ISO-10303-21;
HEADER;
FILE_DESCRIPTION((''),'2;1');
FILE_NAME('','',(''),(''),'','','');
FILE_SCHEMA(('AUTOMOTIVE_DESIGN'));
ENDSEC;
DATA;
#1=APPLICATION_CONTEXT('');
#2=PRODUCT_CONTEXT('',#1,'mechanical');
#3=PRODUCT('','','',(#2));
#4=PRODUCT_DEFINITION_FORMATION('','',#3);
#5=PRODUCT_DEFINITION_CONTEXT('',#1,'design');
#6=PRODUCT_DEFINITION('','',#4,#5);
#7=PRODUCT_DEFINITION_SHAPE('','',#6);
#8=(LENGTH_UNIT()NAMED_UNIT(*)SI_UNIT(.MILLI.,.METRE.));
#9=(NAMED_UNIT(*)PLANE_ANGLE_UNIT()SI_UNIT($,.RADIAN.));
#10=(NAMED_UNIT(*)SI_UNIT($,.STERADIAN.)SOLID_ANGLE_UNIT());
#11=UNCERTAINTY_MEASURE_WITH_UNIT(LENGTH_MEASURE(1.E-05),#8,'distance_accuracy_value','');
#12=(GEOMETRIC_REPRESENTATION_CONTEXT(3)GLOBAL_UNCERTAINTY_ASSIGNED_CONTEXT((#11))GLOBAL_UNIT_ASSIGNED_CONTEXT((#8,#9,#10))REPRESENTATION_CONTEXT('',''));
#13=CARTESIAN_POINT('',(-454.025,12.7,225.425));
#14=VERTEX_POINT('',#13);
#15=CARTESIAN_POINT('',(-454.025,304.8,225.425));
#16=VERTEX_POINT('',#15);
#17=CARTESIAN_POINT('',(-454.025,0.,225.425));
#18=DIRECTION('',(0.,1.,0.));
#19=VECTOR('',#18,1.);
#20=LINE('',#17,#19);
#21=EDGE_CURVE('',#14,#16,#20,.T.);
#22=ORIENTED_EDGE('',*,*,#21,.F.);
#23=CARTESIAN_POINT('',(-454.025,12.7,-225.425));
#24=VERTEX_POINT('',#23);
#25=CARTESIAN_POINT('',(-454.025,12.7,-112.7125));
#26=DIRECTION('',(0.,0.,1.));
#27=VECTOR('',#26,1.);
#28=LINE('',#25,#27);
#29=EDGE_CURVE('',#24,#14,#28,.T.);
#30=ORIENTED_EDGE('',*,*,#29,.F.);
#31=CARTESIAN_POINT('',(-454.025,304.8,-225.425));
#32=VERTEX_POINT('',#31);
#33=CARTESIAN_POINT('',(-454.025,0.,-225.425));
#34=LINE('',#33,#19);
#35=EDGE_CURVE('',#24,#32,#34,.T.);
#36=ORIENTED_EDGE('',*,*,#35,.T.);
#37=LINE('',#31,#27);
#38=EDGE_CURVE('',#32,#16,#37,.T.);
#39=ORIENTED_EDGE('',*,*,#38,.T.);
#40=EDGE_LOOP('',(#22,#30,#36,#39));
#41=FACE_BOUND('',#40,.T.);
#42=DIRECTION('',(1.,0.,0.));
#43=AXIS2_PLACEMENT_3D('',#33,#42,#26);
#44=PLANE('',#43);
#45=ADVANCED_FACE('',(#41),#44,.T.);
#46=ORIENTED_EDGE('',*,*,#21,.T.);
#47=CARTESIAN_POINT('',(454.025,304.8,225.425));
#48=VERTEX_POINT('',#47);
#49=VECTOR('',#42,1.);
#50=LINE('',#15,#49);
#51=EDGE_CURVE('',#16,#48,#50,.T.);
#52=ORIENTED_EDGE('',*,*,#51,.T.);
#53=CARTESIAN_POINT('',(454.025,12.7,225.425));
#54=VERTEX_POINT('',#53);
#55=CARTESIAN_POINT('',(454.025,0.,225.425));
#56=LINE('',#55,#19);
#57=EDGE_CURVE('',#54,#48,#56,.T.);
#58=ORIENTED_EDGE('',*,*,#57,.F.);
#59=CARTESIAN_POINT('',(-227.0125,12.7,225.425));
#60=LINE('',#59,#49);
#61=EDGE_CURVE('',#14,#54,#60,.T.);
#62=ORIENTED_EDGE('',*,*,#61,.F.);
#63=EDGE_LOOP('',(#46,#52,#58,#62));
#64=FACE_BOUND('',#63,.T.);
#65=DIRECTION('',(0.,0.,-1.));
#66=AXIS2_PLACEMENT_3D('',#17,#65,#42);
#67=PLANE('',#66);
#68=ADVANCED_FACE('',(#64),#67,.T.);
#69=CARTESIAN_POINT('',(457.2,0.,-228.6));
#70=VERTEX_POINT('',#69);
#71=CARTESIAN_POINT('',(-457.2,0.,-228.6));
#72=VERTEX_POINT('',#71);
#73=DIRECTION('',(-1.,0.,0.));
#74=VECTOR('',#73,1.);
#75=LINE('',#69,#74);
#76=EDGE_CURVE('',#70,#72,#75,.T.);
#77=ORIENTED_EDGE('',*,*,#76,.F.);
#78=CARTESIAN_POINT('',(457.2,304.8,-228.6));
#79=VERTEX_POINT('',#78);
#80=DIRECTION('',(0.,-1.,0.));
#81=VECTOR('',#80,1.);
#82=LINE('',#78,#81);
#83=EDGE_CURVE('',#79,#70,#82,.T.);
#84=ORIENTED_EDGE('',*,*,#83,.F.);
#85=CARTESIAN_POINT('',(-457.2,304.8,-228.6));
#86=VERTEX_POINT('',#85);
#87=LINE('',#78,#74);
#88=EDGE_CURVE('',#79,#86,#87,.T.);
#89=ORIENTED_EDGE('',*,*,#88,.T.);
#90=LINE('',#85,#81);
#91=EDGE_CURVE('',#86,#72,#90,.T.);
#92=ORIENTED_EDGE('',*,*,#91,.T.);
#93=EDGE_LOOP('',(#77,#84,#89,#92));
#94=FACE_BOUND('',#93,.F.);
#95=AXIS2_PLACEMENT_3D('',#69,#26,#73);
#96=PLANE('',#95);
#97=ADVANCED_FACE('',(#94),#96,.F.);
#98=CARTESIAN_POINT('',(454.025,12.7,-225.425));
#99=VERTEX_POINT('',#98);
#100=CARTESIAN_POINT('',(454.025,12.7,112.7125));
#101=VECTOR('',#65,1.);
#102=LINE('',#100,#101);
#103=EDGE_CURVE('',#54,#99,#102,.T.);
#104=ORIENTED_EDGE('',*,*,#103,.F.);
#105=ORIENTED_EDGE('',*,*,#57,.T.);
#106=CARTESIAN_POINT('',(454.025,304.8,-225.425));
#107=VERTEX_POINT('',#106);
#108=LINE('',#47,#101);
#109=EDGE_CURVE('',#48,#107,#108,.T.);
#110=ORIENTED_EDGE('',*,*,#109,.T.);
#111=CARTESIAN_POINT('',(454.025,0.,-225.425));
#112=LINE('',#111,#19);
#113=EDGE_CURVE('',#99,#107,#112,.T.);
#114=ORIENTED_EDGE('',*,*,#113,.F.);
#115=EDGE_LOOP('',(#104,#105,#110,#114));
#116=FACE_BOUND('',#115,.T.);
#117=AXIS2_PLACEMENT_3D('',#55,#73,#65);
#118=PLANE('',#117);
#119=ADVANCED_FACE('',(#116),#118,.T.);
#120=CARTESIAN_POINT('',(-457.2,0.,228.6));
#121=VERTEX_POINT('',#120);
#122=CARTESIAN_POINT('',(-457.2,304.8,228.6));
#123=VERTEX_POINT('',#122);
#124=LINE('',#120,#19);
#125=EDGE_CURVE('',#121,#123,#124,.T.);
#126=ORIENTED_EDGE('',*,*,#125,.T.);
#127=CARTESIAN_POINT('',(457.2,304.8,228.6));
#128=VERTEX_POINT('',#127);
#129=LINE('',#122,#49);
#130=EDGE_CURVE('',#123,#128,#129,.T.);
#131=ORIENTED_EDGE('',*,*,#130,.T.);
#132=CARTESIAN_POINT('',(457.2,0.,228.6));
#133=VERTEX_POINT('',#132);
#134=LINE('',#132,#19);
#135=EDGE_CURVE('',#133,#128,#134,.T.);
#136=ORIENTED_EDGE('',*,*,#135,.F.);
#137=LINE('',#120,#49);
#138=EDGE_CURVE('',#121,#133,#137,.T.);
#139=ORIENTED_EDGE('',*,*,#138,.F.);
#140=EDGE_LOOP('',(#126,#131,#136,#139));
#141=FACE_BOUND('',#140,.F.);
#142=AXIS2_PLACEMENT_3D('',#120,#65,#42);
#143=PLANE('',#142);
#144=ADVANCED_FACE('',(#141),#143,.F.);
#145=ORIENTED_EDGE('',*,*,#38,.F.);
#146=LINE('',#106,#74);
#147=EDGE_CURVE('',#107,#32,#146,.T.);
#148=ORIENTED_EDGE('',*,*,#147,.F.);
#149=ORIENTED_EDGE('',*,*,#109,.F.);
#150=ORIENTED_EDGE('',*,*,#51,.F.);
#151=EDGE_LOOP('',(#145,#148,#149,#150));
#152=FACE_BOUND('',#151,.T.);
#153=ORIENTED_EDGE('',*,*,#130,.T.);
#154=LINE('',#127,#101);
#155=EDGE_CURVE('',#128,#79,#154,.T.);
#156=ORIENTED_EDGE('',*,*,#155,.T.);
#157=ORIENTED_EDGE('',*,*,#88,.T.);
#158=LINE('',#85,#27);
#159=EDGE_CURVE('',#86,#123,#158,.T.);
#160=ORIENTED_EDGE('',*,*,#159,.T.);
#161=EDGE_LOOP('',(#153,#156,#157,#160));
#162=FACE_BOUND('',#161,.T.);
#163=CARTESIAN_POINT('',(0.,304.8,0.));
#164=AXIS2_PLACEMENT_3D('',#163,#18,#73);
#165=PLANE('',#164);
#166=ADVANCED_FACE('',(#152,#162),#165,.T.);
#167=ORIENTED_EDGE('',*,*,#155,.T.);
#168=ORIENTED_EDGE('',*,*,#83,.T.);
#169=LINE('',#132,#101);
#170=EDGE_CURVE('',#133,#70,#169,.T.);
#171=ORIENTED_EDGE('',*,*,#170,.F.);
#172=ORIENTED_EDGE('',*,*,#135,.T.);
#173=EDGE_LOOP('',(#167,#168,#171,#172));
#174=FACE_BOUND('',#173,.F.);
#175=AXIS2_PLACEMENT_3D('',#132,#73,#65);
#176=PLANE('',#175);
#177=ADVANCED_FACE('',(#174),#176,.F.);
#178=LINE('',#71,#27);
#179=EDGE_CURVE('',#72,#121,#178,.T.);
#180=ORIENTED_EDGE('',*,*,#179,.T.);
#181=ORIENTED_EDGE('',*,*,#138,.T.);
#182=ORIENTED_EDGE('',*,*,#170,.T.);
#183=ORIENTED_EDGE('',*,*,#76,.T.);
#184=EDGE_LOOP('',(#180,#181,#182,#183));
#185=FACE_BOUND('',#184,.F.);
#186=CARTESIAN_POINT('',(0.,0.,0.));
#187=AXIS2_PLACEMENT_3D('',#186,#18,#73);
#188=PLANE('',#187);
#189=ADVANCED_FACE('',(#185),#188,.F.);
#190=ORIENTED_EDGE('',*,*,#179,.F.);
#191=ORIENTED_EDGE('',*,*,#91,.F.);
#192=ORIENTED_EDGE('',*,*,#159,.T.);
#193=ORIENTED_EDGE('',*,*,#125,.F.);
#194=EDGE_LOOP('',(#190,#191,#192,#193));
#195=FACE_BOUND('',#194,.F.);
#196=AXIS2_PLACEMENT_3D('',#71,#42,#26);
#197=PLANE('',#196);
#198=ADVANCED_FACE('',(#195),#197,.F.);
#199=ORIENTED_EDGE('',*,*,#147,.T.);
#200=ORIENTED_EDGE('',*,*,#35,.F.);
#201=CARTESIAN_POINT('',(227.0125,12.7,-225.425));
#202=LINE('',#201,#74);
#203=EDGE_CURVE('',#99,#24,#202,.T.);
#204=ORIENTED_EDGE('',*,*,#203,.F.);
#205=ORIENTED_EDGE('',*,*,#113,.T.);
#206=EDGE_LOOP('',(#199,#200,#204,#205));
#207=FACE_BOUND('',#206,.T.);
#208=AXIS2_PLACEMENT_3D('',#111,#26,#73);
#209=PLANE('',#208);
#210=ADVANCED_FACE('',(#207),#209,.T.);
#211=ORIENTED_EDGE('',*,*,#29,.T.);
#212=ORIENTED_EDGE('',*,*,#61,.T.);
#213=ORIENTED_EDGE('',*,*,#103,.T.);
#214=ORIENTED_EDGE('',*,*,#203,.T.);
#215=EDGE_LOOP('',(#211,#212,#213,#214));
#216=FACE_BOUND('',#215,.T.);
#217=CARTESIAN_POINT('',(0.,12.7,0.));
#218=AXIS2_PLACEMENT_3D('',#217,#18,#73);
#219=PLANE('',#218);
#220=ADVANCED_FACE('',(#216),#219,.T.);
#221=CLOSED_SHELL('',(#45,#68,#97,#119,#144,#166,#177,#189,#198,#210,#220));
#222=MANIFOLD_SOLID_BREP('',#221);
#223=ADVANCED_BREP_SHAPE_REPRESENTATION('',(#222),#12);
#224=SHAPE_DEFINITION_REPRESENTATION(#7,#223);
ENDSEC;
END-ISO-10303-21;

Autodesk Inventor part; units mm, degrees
ref_plane "YZ Plane" through (0, 0, 0) normal (1, 0, 0) x (0, 1, 0)
ref_plane "XZ Plane" through (0, 0, 0) normal (0, 1, 0) x (-1, 0, 0)
ref_plane "XY Plane" through (0, 0, 0) normal (0, 0, 1) x (1, 0, 0)
sketch "Sketch2" plane through (0, 0, 0) normal (0, 1, 0) x (-1, 0, 0)
  line L0 (457.2, 228.6) -> (-457.2, 228.6)
  line L1 (-457.2, 228.6) -> (-457.2, -228.6)
  line L2 (-457.2, -228.6) -> (457.2, -228.6)
  line L3 (457.2, -228.6) -> (457.2, 228.6)
  line L4 (457.2, 228.6) -> (-457.2, -228.6) construction
  line L5 (-457.2, 228.6) -> (457.2, -228.6) construction
  line L6 (454.025, 225.425) -> (-454.025, 225.425)
  line L7 (-454.025, 225.425) -> (-454.025, -225.425)
  line L8 (-454.025, -225.425) -> (454.025, -225.425)
  line L9 (454.025, -225.425) -> (454.025, 225.425)
  line L10 (454.025, 225.425) -> (-454.025, -225.425) construction
  line L11 (-454.025, 225.425) -> (454.025, -225.425) construction
  point P0 (0, 0)
  dimension "d0" = 914.4
  dimension "d1" = 457.2
  dimension "d2" = 3.175
  dimension "d3" = 3.175
extrude "Extrusion1" add sketch "Sketch2" along normal blind 304.8
extrude "Extrusion2" add sketch "Sketch2" along normal blind 12.7 contours L3 L2 L1 L0 | L9 L8 L7 L6
properties part number "Tank" material "Glass"
